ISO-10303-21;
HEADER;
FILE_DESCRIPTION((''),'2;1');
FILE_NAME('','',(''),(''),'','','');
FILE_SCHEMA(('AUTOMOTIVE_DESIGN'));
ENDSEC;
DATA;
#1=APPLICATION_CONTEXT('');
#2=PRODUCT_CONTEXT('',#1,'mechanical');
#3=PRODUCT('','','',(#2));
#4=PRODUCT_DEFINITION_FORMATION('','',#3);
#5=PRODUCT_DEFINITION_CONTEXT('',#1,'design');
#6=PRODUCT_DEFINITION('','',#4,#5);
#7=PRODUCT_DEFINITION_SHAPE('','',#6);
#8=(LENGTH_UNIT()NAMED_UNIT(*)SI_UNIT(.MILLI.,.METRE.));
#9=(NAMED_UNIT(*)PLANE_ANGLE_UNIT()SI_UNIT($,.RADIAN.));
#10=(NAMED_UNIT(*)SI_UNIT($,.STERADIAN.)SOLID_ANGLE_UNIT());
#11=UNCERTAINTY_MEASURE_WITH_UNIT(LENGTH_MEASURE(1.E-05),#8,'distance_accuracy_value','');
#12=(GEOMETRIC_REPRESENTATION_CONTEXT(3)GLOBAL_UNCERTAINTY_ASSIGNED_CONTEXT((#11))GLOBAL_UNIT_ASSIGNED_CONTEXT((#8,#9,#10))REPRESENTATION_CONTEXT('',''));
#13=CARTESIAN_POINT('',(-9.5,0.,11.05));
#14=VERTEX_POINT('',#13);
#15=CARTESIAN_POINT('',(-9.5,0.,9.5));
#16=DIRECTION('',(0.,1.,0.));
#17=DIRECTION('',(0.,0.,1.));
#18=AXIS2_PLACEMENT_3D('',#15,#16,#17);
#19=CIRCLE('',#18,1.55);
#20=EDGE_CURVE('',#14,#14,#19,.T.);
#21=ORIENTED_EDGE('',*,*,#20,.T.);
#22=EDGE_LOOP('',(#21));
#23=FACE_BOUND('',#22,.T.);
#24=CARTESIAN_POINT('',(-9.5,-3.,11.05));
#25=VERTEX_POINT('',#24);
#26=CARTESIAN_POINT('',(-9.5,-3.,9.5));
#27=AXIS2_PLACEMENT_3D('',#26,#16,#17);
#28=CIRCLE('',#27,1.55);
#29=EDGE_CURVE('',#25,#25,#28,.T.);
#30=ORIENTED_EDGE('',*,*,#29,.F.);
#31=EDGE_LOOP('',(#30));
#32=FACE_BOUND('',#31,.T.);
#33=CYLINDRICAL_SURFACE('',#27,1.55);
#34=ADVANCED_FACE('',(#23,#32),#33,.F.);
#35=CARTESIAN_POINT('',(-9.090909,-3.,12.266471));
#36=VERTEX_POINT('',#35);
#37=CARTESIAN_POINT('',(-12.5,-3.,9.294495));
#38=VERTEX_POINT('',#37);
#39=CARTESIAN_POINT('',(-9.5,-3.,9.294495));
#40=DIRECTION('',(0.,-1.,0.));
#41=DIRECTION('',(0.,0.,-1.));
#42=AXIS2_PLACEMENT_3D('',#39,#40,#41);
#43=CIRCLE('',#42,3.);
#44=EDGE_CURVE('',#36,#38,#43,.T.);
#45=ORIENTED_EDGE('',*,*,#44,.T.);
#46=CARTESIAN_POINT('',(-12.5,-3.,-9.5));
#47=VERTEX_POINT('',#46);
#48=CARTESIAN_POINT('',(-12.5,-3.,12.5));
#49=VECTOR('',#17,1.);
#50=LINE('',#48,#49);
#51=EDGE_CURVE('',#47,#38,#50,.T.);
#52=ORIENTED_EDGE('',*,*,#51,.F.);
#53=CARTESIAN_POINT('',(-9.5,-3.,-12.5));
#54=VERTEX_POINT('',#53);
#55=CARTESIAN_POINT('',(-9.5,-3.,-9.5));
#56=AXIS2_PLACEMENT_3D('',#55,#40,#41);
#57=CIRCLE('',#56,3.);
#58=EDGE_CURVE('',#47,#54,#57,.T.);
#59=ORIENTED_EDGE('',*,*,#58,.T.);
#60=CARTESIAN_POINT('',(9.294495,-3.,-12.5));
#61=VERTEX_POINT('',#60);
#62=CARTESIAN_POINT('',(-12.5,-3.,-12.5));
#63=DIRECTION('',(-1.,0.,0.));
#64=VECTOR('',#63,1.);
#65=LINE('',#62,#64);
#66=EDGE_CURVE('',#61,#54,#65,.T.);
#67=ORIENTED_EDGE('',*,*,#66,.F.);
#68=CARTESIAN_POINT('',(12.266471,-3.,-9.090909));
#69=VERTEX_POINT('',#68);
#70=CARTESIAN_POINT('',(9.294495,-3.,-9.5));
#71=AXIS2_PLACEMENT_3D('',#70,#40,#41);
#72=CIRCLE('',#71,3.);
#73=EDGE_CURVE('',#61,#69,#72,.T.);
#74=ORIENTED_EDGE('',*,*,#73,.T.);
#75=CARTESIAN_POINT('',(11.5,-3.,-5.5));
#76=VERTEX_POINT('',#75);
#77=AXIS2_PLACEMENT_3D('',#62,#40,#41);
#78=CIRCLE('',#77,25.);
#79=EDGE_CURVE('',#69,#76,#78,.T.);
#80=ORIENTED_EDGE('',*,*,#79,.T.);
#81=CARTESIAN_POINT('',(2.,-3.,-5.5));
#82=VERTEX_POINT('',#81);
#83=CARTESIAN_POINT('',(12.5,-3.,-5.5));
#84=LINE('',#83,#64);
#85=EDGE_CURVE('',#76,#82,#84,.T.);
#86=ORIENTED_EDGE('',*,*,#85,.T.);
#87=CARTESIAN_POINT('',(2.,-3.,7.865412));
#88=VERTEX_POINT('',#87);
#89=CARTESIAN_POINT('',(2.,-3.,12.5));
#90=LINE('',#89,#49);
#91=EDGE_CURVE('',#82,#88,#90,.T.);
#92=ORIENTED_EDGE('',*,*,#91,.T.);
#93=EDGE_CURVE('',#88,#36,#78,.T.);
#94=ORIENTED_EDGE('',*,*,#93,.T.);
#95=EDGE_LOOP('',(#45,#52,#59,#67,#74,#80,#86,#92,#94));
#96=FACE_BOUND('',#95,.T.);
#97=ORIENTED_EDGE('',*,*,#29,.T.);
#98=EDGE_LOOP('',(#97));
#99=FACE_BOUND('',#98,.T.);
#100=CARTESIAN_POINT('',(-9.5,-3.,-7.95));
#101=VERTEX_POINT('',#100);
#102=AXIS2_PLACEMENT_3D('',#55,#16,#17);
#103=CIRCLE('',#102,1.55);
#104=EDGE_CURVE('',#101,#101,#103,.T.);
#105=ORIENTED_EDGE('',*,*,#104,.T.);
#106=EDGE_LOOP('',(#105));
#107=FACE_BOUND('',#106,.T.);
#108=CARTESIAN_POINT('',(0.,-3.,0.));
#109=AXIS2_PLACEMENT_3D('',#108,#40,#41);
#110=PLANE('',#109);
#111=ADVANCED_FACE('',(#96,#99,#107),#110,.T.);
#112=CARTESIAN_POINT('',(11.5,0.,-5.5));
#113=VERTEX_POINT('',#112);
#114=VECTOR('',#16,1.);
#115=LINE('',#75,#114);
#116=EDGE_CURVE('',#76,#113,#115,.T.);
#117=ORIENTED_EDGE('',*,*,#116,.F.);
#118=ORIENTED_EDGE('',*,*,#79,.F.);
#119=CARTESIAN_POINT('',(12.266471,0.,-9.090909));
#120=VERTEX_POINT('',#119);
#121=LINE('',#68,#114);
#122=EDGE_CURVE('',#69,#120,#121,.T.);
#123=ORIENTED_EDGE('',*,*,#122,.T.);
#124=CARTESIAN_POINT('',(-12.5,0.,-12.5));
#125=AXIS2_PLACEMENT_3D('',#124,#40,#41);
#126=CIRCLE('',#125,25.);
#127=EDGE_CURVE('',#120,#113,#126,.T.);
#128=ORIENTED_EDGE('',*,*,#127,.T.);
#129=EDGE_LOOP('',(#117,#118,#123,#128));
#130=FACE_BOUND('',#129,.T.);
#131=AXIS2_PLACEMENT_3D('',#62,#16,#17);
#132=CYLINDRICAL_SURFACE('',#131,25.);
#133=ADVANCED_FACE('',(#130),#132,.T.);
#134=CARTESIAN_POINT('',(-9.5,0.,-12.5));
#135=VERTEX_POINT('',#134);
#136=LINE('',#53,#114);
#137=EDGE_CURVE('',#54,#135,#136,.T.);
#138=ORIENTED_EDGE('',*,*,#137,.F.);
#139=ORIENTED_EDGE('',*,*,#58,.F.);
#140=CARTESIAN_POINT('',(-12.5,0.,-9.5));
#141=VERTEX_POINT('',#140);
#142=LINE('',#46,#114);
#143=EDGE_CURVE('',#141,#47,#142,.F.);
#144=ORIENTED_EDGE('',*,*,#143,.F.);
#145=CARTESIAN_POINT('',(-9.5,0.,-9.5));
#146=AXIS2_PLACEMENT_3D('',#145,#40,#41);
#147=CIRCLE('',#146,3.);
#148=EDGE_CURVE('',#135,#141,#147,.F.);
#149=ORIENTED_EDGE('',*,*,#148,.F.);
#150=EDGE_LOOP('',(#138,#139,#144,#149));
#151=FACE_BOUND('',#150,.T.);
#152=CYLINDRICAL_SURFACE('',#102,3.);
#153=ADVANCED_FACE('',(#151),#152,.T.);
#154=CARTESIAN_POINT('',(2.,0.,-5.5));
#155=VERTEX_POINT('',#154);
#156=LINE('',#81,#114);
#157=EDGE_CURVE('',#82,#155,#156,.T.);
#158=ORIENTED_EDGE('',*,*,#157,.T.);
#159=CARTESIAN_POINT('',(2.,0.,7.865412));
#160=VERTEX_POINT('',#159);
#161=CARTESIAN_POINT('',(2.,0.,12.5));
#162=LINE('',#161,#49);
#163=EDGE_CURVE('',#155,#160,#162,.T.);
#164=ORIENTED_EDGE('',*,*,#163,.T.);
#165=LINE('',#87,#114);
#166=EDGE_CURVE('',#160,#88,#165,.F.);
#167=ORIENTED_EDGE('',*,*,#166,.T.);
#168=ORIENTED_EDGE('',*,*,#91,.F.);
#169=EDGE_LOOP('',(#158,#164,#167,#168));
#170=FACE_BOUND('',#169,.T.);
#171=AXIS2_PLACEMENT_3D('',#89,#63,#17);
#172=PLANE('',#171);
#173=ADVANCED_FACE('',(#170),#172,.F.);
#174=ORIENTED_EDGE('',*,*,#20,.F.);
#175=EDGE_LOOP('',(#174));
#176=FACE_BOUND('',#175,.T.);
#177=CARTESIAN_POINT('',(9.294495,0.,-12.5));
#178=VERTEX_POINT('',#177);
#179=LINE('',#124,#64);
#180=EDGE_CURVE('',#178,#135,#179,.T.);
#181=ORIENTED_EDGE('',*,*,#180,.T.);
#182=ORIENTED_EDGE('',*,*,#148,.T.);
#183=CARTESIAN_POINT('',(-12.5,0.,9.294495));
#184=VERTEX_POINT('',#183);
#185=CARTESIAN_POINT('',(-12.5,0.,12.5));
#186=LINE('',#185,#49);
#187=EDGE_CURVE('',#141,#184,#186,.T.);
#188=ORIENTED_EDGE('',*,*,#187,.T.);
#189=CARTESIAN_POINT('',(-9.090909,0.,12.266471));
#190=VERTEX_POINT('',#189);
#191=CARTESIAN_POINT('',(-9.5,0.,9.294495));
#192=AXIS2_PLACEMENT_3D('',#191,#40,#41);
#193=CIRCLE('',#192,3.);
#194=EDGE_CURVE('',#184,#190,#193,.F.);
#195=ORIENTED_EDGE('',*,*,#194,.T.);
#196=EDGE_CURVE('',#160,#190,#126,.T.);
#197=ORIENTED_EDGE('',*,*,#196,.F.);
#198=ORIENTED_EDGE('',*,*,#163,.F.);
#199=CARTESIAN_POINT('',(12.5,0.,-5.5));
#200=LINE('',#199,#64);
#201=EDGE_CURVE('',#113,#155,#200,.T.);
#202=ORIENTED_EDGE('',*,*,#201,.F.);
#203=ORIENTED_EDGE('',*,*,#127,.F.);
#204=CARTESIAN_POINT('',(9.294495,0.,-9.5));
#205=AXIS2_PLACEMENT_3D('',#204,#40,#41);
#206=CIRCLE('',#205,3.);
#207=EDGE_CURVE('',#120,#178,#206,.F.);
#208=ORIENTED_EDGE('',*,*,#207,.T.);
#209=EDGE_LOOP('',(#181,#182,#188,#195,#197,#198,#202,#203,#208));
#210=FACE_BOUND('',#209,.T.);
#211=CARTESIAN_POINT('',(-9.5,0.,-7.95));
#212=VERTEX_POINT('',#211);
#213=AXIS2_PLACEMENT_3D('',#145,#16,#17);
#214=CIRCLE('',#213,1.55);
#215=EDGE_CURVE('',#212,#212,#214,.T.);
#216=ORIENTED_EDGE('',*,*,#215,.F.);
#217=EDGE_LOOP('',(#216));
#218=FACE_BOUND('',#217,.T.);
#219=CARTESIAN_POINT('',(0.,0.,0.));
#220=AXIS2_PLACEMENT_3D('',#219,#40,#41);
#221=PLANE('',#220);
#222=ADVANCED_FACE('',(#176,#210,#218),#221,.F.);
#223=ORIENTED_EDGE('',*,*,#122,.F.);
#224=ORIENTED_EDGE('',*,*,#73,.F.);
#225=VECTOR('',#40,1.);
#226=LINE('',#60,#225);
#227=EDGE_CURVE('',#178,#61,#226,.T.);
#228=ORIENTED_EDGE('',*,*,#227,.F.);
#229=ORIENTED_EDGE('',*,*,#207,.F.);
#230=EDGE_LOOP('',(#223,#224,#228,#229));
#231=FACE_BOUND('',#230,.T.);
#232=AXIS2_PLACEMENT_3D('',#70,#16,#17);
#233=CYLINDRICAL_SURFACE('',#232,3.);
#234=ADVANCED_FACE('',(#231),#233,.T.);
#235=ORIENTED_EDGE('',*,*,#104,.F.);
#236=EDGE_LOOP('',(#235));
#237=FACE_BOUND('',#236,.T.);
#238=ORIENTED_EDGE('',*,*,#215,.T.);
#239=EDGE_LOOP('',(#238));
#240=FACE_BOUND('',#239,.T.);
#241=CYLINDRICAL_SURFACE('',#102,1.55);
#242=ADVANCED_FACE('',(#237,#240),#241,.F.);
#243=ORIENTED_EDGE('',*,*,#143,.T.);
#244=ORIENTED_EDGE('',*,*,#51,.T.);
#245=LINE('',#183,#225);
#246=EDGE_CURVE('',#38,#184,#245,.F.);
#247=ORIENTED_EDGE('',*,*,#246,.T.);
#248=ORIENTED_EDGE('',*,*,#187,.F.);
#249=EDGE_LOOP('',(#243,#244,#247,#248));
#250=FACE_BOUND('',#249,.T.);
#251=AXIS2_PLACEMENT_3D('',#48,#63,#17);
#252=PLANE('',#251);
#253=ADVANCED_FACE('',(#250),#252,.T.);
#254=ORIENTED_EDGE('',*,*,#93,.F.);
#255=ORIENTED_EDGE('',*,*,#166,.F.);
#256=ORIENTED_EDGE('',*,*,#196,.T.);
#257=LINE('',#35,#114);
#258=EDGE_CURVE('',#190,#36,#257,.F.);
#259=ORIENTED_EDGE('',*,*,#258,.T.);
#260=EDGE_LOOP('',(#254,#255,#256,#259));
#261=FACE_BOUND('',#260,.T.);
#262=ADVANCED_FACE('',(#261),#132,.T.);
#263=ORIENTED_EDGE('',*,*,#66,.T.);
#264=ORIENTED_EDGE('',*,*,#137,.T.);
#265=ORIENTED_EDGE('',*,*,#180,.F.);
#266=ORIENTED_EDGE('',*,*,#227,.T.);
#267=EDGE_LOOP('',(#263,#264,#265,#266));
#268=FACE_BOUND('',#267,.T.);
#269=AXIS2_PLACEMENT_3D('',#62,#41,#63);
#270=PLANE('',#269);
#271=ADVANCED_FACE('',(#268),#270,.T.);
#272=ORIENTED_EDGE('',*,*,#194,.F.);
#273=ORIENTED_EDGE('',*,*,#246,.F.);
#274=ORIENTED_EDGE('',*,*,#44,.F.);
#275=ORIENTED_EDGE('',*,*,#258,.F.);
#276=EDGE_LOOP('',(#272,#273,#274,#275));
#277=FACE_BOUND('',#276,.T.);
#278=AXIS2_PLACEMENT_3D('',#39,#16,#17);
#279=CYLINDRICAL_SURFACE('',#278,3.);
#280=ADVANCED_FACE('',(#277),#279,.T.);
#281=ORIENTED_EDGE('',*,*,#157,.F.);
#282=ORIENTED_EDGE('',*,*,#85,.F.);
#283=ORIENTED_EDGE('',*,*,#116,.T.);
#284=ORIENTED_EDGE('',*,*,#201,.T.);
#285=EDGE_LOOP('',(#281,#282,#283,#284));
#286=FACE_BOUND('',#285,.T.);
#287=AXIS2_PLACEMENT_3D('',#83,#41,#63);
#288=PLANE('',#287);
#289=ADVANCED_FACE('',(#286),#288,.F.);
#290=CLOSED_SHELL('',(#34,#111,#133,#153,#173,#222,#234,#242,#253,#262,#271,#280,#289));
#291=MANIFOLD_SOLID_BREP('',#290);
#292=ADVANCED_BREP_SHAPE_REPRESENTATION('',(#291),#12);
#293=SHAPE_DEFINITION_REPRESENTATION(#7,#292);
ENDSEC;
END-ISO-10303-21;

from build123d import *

# Parameters (mm, degrees)
SKETCH1_W           = 25
SKETCH1_H           = 25
SKETCH1_R           = 1.55
BOSS_EXTRUDE1_DEPTH = 3
SKETCH2_W           = 10.5
SKETCH2_H           = 18
CUT_EXTRUDE1_DEPTH  = 18.930421077
CUT_EXTRUDE2_DEPTH  = 18.930421077
FILLET2_R           = 3


with BuildPart() as part:
    # Sketch1 → Boss-Extrude1 (new body)
    with BuildSketch(Plane(origin=(0, 0, 0), x_dir=(1, 0, 0), z_dir=(0, 1, 0))):
        Rectangle(SKETCH1_W, SKETCH1_H)
        with Locations(Location((-9.5, 9.5, 0), (0, 0, 270))):
            Circle(SKETCH1_R, mode=Mode.SUBTRACT)
        with Locations(Location((-9.5, -9.5, 0), (0, 0, 270))):
            Circle(SKETCH1_R, mode=Mode.SUBTRACT)
    extrude(amount=-BOSS_EXTRUDE1_DEPTH)

    # Sketch2 → Cut-Extrude1 (cut, through all)
    with BuildSketch(Plane(origin=(0, 0, 0), x_dir=(1, 0, 0), z_dir=(0, 1, 0))):
        with Locations((7.25, -3.5)):
            Rectangle(SKETCH2_W, SKETCH2_H)
    extrude(amount=-CUT_EXTRUDE1_DEPTH, mode=Mode.SUBTRACT)

    # Sketch3 → Cut-Extrude2 (cut, through all)
    with BuildSketch(Plane(origin=(0, 0, 0), x_dir=(1, 0, 0), z_dir=(0, 1, 0))):
        with BuildLine():
            Line((-12.5, -12.5), (12.5, -12.5))
            Line((12.5, -12.5), (12.5, 12.5))
            ThreePointArc((12.5, 12.5), (5.17766953, -5.17766953), (-12.5, -12.5))
        make_face()
    extrude(amount=-CUT_EXTRUDE2_DEPTH, mode=Mode.SUBTRACT)

    # Fillet2
    fillet2_edges = [part.edges().sort_by_distance(p)[0] for p in [
        (-12.5, -1.5, 12.5),
        (-12.5, -1.5, -12.5),
        (12.5, -1.5, -12.5),
    ]]
    fillet(fillet2_edges, radius=FILLET2_R)


solid = part.part
